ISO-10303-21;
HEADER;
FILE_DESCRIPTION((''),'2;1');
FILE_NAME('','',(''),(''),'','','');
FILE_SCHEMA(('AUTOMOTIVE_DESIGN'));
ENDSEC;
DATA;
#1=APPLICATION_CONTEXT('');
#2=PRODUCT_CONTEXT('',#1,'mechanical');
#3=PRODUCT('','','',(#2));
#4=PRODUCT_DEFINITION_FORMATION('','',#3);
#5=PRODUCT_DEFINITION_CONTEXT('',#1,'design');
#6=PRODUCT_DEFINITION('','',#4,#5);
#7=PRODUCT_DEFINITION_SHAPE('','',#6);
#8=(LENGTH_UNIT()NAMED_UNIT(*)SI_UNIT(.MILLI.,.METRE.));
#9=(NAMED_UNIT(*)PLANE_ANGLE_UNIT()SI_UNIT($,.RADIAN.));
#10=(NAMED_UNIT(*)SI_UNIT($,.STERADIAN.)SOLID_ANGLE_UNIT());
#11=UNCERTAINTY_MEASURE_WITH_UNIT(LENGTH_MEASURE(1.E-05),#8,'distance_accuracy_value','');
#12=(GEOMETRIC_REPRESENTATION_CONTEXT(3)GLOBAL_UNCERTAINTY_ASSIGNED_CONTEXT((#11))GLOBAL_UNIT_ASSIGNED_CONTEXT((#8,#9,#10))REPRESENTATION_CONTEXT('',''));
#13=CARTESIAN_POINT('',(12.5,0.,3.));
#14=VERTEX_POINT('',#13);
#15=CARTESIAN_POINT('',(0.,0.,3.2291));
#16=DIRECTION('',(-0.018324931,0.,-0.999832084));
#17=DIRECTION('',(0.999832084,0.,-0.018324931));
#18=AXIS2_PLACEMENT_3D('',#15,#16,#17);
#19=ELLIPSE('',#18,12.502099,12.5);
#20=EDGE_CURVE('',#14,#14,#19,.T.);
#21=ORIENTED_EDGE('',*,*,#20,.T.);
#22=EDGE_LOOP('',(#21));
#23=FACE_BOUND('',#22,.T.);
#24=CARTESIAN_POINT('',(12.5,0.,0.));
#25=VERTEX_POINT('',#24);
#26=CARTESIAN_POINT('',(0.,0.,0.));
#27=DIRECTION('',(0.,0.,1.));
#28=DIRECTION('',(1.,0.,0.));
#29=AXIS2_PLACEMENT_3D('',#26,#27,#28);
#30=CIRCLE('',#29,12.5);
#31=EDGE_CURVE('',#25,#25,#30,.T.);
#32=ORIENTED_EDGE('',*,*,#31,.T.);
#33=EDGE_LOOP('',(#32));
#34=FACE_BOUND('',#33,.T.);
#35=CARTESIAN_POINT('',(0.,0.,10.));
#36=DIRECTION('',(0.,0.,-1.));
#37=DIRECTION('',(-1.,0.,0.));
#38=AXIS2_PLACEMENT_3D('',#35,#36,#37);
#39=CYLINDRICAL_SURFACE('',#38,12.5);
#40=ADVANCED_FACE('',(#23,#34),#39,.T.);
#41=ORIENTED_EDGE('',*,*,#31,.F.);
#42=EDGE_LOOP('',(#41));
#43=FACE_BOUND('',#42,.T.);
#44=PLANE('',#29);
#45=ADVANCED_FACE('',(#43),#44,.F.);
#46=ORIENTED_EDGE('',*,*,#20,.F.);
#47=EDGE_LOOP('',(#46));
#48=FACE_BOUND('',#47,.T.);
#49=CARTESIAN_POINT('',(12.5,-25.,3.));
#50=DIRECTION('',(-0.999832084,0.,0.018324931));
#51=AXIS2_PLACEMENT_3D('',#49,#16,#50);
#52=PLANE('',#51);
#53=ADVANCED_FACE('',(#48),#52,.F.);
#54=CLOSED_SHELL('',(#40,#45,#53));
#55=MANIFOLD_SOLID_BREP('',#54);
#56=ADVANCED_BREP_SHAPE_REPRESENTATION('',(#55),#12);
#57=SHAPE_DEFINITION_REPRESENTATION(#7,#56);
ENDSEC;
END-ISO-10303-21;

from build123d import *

# Parameters (mm, degrees)
SKETCH_1_R          = 12.5
EXTRUDE_1_DEPTH     = 10
CUT_EXTRUDE_1_DEPTH = 25


with BuildPart() as part:
    # 草图1 → 凸台-拉伸1 (new body)
    with BuildSketch(Plane.XY):
        Circle(SKETCH_1_R)
    extrude(amount=EXTRUDE_1_DEPTH)

    # 草图2 → 切除-拉伸1 (cut, symmetric)
    with BuildSketch(Plane(origin=(0, 0, 0), x_dir=(1, 0, 0), z_dir=(0, 1, 0))):
        Polygon((12.5, -3), (-16.637251363, -3.534027804), (-16.637251363, -14.471860794), (17.771579719, -14.471860794), (17.771579719, -3), align=None)
    extrude(amount=CUT_EXTRUDE_1_DEPTH, both=True, mode=Mode.SUBTRACT)


solid = part.part
